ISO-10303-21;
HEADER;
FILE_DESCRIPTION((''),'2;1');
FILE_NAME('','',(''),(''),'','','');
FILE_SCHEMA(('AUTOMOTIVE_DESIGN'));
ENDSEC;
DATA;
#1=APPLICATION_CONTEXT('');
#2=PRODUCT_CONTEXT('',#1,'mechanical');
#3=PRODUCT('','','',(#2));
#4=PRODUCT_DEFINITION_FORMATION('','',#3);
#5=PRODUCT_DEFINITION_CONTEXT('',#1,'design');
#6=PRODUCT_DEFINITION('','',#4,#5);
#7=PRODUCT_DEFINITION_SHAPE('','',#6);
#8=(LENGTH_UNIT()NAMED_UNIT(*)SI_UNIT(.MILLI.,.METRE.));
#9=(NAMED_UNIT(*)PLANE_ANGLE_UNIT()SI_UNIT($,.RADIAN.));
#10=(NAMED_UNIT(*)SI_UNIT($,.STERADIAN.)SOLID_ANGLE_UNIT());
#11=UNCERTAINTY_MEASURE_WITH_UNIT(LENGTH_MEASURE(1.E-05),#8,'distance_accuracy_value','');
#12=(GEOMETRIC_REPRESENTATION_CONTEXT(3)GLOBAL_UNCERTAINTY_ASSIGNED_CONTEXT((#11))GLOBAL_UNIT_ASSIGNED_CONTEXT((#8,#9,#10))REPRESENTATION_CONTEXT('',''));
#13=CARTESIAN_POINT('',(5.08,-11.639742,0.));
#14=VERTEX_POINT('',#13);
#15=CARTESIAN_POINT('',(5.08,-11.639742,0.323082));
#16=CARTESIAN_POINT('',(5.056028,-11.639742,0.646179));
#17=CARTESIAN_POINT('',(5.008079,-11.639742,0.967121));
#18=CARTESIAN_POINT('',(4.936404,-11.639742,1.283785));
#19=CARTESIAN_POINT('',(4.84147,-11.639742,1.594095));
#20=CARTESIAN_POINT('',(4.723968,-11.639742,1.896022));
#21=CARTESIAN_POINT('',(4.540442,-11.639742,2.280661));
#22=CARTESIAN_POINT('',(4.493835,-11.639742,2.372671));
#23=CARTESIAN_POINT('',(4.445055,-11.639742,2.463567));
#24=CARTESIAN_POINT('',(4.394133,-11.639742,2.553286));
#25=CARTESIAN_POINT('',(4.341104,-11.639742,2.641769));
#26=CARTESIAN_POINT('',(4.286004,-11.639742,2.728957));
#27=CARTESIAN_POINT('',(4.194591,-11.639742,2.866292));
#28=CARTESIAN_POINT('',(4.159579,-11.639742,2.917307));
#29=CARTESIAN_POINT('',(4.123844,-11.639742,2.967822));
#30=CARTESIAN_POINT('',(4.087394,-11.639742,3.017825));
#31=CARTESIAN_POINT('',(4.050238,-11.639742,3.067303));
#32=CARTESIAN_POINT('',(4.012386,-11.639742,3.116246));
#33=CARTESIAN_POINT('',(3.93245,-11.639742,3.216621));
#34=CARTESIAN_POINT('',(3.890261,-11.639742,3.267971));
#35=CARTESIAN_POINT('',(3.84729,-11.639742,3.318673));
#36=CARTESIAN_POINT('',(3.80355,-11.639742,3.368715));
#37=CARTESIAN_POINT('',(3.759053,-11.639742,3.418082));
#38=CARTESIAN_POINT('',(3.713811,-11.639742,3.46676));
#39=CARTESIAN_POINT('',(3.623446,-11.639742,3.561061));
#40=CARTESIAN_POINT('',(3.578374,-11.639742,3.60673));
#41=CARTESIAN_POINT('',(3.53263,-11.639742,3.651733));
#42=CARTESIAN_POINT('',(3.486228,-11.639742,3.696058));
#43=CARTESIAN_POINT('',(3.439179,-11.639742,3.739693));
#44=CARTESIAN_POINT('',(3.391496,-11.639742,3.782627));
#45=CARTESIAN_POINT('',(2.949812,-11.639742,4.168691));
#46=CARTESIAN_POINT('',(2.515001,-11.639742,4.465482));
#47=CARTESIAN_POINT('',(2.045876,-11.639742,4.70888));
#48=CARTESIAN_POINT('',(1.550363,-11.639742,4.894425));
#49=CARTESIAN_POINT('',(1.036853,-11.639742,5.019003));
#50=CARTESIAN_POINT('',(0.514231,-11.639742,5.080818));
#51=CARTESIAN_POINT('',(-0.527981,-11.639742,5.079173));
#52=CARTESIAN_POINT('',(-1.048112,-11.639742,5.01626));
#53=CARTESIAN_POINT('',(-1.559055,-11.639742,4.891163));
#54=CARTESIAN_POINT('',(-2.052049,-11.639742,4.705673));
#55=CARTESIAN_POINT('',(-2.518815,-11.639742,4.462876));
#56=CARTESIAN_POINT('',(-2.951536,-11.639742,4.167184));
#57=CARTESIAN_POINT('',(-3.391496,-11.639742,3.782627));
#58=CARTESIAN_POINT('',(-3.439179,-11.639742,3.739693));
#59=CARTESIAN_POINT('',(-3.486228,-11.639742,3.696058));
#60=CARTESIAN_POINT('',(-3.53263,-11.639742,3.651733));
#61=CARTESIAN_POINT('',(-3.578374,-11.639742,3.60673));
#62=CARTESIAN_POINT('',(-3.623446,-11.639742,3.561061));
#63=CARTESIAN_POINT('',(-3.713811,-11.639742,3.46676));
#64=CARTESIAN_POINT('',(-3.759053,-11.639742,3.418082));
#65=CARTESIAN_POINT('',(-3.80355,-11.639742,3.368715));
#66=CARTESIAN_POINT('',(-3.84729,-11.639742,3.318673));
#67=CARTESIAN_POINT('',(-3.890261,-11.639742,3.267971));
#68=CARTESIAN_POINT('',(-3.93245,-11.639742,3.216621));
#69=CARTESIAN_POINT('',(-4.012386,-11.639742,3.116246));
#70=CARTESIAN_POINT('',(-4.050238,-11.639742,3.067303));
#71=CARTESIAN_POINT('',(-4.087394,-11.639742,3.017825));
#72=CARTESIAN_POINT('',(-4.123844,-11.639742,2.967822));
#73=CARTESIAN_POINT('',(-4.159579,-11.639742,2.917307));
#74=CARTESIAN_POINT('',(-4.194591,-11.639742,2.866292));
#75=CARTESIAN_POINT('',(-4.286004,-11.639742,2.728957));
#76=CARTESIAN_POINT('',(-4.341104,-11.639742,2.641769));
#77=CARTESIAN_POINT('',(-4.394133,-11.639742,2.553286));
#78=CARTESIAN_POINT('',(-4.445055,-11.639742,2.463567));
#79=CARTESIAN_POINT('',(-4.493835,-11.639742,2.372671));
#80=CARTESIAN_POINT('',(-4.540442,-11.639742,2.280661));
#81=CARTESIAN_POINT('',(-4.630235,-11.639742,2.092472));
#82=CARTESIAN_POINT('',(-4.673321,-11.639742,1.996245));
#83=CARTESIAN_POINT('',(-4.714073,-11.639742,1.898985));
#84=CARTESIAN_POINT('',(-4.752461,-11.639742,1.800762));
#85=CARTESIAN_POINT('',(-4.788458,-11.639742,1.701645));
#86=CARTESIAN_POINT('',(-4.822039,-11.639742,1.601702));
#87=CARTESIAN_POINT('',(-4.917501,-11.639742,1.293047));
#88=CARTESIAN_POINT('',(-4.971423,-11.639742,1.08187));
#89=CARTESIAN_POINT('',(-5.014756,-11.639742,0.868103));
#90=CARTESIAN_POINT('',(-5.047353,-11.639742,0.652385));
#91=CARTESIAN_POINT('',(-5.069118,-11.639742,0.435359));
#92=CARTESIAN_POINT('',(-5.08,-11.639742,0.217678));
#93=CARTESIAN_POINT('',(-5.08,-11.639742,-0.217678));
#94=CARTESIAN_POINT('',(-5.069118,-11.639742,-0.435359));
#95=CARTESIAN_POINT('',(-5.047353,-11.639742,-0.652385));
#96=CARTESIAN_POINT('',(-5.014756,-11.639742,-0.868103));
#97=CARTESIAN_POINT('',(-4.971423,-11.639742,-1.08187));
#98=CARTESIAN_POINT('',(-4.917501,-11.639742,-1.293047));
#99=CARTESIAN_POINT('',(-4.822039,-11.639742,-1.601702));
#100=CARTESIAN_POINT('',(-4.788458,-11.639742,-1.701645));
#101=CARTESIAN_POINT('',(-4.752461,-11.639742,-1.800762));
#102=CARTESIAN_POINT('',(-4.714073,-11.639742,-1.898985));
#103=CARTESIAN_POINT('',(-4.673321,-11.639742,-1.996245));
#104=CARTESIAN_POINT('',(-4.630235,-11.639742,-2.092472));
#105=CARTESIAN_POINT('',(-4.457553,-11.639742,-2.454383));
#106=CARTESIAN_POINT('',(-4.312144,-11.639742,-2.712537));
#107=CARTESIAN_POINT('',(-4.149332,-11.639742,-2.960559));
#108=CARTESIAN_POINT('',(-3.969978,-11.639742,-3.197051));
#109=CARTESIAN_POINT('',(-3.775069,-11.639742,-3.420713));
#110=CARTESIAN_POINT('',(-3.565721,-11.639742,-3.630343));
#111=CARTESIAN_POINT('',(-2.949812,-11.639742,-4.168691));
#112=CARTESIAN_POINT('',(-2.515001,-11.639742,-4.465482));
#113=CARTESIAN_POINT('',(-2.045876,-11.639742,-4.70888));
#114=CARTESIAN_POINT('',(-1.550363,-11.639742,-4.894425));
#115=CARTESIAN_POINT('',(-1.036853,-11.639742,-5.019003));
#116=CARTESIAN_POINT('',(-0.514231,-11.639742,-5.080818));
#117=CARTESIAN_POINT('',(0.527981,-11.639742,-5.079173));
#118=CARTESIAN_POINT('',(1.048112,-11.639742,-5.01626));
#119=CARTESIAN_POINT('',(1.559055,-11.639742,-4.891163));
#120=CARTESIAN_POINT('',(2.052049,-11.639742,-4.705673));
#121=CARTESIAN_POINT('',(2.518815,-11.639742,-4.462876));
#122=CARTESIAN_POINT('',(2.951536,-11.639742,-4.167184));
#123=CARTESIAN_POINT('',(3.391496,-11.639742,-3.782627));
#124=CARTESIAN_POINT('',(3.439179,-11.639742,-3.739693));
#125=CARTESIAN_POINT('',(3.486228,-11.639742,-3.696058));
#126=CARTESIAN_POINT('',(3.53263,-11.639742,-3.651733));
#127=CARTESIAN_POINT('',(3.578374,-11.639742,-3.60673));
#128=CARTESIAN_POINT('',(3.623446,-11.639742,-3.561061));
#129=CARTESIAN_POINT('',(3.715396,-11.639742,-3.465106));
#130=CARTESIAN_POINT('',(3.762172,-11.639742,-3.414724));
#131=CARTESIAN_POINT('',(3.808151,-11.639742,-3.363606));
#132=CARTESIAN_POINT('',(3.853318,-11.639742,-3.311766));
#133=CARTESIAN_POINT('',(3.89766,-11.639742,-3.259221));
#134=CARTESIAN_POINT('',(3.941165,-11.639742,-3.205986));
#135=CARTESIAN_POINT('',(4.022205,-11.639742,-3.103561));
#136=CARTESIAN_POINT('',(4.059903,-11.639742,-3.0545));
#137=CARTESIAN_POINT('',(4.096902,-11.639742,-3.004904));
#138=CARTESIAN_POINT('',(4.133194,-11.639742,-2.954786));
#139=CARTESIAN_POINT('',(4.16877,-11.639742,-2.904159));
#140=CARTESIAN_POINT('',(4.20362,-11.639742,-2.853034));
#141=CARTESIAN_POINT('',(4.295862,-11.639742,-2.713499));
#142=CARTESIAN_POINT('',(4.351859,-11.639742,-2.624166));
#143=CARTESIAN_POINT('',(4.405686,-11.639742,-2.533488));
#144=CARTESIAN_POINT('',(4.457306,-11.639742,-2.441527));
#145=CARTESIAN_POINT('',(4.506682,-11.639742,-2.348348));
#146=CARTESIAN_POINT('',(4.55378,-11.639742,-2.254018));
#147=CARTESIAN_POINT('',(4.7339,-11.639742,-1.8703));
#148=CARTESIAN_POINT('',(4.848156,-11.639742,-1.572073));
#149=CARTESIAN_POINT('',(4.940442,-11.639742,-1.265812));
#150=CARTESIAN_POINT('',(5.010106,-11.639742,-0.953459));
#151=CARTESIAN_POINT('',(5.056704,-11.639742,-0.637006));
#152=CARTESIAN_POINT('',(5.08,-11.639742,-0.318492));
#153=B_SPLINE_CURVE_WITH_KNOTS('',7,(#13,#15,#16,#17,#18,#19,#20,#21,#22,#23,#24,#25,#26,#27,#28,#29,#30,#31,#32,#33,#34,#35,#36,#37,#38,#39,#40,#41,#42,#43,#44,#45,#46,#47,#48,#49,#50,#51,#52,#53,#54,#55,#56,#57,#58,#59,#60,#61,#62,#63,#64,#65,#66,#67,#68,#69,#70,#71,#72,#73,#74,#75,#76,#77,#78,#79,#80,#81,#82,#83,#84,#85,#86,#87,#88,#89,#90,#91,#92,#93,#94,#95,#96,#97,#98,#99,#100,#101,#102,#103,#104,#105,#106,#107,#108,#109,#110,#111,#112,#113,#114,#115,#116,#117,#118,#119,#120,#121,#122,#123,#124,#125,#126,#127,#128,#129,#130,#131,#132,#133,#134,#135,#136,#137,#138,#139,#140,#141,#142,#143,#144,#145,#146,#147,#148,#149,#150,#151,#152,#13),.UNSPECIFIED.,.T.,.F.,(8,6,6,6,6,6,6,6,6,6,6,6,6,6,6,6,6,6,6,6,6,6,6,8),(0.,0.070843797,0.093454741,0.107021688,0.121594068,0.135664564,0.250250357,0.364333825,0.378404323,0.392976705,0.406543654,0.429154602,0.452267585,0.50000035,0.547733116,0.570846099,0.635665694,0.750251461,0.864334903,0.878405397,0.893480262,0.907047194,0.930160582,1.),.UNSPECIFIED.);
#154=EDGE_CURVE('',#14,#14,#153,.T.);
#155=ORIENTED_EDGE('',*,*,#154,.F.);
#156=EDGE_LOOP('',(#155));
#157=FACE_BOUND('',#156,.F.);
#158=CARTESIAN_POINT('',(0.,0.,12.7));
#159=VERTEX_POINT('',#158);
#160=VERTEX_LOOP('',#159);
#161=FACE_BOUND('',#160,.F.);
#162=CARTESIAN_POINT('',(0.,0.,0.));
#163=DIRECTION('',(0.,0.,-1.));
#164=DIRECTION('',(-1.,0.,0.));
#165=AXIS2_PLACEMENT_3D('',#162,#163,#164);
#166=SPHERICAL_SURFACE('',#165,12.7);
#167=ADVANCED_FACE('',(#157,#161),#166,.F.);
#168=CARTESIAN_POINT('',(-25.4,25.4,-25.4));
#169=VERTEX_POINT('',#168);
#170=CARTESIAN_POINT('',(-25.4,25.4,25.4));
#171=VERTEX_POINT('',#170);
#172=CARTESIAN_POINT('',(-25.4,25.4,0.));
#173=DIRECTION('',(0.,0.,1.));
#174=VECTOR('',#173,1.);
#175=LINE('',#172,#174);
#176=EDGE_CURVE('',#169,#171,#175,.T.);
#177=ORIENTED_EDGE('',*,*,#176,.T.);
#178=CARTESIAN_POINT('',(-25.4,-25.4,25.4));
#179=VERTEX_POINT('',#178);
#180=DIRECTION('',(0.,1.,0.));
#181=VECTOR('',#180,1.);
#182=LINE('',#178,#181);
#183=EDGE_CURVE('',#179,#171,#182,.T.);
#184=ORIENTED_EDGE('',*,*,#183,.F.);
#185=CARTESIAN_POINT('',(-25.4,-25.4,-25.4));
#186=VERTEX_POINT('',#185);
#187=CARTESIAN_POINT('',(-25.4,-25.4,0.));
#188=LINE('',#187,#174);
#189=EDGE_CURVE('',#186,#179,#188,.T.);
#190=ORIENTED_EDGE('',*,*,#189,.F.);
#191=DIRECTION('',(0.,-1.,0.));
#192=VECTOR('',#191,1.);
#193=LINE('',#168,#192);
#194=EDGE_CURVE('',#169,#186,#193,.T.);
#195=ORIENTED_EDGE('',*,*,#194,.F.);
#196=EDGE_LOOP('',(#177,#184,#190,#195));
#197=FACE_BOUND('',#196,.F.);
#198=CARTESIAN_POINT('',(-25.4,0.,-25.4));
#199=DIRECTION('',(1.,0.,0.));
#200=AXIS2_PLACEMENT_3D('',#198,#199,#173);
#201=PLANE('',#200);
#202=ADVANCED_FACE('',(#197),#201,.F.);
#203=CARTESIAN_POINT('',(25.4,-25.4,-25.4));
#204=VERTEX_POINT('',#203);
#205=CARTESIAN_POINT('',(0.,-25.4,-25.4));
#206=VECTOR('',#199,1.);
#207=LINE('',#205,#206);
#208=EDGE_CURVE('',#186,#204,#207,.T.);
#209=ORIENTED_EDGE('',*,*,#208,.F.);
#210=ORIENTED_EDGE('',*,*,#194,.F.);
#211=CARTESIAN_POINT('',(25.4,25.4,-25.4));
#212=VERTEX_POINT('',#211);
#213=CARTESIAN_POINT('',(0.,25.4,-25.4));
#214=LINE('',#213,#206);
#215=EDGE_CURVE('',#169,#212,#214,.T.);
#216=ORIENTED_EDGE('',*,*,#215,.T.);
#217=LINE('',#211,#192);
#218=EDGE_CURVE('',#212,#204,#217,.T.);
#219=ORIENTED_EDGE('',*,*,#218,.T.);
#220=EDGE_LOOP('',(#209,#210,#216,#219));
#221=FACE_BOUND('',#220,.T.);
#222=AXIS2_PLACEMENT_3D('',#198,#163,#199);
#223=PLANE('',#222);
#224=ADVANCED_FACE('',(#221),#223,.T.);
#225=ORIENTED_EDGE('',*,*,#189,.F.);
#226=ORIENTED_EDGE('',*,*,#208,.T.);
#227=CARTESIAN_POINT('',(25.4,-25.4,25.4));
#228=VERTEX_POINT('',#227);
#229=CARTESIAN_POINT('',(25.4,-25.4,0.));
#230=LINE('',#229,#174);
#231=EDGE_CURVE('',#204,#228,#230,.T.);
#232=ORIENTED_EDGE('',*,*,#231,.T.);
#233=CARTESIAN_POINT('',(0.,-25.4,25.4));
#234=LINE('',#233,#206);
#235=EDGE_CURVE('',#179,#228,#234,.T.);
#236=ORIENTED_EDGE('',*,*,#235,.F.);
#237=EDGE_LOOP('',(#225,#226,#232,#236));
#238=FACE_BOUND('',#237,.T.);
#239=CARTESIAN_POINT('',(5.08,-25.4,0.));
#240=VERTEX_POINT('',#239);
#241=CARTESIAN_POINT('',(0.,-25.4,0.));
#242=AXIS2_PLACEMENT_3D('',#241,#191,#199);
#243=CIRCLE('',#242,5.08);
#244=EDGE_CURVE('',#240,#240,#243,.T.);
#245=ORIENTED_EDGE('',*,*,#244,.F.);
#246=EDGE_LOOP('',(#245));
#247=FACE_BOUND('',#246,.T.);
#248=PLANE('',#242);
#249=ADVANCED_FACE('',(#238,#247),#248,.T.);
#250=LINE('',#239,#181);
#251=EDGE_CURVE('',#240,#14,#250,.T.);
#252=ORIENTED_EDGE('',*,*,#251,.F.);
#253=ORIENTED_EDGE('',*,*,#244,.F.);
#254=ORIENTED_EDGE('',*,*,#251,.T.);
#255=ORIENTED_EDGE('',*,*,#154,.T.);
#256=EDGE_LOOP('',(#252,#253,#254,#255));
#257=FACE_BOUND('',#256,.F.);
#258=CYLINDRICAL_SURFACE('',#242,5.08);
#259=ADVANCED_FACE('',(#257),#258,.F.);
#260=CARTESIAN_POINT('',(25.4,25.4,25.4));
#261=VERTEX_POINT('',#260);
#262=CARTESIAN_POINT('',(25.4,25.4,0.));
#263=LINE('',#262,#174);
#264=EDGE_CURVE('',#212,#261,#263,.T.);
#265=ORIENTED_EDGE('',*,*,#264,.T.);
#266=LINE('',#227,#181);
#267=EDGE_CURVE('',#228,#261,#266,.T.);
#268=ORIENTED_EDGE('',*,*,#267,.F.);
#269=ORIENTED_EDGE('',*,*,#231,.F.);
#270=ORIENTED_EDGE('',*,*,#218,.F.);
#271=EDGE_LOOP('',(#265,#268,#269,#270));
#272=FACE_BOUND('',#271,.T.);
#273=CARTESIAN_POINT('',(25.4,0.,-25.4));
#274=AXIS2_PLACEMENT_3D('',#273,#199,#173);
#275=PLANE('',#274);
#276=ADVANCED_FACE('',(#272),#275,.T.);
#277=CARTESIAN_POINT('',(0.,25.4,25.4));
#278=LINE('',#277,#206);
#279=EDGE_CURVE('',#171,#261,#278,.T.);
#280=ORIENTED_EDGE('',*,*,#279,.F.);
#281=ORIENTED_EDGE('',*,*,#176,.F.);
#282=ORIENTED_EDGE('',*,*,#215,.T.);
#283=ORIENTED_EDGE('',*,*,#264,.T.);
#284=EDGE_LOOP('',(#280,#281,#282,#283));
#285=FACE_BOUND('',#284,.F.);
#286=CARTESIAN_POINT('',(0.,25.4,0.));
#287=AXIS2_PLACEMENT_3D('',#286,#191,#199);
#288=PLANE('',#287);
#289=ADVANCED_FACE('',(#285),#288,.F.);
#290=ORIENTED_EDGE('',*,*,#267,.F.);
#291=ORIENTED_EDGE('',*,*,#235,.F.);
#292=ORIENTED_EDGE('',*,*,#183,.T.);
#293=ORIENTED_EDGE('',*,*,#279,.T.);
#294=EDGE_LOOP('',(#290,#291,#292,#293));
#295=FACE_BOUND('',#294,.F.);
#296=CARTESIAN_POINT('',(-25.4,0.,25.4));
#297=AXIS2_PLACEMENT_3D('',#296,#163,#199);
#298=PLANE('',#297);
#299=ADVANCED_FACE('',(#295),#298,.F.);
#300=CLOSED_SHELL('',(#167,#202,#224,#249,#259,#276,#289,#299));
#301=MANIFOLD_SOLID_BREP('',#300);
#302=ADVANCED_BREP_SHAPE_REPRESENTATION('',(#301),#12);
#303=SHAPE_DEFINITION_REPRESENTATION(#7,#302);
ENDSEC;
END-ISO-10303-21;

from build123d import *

# Parameters (mm, degrees)
F0_W     = 50.8
F0_H     = 50.8
F1_DEPTH = 25.4
F4_R     = 5.08
F5_DEPTH = 25.4


with BuildPart() as f1:
    # F0 (on Front) → F1 (new body, symmetric)
    with BuildSketch(Plane.XZ):
        Rectangle(F0_W, F0_H)
    extrude(amount=F1_DEPTH, both=True)

    # F2 (on Front) → F3 (revolve, cut)
    with BuildSketch(Plane.XZ):
        with BuildLine():
            Line((0, -12.7), (0, 12.7))
            ThreePointArc((0, 12.7), (-12.7, 0), (0, -12.7))
        make_face()
    revolve(axis=Axis((0, 0, 0), (0, 0, -1)), mode=Mode.SUBTRACT)

    # F4 (on face) → F5 (cut)
    with BuildSketch(Plane.XZ.offset(25.4)):
        Circle(F4_R)
    extrude(amount=-F5_DEPTH, mode=Mode.SUBTRACT)


solid = f1.part
